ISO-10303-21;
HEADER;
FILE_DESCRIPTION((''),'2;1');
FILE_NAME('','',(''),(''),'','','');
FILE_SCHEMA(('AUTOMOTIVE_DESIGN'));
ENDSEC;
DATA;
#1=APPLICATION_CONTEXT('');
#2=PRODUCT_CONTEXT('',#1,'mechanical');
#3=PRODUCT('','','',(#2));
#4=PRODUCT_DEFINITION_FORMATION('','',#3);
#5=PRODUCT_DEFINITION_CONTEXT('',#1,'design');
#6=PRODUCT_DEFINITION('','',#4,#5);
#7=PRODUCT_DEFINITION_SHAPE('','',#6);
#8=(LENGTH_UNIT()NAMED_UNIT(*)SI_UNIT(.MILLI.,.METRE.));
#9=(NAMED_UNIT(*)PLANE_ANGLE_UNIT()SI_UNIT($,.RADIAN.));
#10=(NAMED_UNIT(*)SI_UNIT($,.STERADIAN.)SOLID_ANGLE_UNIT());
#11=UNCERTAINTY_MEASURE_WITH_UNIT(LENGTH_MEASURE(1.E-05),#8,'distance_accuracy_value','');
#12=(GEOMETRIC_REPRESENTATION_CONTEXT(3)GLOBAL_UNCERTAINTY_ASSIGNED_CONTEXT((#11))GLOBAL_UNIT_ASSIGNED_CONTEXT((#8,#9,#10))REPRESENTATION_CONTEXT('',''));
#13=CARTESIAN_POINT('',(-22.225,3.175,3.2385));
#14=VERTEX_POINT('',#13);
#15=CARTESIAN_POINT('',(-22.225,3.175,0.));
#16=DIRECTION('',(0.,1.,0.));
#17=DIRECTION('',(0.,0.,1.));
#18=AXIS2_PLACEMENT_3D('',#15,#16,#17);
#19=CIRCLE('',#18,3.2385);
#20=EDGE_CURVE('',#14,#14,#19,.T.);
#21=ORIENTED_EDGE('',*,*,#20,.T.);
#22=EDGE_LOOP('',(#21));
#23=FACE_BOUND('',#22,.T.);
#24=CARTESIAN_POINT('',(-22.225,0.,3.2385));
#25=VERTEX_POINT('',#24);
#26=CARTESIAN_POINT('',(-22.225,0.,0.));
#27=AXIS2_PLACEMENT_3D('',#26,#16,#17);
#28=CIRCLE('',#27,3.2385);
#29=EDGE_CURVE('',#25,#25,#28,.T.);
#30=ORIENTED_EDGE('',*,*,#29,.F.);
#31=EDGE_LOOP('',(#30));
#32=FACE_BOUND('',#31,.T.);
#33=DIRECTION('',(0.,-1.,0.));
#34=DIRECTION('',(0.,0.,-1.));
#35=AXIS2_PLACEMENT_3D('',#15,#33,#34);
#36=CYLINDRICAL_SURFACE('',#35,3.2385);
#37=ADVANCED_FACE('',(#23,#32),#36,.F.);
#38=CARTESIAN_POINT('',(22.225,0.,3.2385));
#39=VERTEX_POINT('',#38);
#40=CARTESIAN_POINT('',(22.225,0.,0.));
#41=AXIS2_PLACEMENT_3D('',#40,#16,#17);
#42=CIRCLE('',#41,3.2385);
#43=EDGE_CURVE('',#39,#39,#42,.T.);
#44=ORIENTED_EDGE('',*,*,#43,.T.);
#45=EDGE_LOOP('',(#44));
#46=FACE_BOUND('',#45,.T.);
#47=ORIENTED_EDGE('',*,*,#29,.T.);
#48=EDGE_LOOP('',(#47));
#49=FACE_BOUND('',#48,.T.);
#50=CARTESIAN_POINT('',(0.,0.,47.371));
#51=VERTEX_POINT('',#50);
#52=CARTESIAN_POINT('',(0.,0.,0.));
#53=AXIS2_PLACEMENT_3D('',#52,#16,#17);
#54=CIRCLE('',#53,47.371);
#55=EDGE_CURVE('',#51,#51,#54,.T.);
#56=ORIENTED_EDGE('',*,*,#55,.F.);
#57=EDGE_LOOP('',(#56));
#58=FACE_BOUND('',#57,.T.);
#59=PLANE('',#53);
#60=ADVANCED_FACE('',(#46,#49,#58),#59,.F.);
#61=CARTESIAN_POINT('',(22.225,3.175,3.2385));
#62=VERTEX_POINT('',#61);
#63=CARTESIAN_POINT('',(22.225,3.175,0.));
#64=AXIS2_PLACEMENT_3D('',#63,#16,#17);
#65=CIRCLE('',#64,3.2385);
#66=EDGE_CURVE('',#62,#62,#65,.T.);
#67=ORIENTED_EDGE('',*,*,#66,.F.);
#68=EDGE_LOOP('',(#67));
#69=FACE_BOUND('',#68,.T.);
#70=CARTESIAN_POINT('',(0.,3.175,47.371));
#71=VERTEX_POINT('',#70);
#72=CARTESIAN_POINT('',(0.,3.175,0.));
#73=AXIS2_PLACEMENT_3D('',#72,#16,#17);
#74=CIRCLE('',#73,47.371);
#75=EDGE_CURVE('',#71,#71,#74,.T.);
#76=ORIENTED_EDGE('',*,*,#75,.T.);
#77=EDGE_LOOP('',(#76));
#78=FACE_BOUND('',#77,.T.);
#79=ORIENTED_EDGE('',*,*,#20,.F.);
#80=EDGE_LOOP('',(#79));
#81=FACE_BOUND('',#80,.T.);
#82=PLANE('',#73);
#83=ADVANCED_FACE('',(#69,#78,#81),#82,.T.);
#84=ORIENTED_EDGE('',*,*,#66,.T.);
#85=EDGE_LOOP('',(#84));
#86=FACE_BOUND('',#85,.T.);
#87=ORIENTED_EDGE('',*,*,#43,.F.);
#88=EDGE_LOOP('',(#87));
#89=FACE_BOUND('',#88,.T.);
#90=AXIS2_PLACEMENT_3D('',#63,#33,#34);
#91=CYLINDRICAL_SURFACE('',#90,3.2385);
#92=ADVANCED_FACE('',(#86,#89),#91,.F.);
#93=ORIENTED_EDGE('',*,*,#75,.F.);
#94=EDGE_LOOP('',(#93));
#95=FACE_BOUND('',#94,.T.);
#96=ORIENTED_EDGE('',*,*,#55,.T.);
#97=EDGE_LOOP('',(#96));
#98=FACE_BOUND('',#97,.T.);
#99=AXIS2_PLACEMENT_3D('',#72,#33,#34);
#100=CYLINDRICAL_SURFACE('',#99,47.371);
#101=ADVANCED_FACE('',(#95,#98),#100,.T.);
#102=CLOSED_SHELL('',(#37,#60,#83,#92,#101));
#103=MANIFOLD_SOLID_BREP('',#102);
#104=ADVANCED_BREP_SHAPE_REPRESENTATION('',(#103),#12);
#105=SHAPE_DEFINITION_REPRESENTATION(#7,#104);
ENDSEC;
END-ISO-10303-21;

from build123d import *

# Parameters (mm, degrees)
SKETCH1_R           = 47.371
SKETCH1_R_2         = 3.2385
BOSS_EXTRUDE1_DEPTH = 3.175


with BuildPart() as part:
    # Sketch1 → Boss-Extrude1 (new body)
    with BuildSketch(Plane(origin=(0, 0, 0), x_dir=(1, 0, 0), z_dir=(0, 1, 0))):
        Circle(SKETCH1_R)
        with Locations((22.225, 0)):
            Circle(SKETCH1_R_2, mode=Mode.SUBTRACT)
        with Locations((-22.225, 0)):
            Circle(SKETCH1_R_2, mode=Mode.SUBTRACT)
    extrude(amount=BOSS_EXTRUDE1_DEPTH)


solid = part.part
